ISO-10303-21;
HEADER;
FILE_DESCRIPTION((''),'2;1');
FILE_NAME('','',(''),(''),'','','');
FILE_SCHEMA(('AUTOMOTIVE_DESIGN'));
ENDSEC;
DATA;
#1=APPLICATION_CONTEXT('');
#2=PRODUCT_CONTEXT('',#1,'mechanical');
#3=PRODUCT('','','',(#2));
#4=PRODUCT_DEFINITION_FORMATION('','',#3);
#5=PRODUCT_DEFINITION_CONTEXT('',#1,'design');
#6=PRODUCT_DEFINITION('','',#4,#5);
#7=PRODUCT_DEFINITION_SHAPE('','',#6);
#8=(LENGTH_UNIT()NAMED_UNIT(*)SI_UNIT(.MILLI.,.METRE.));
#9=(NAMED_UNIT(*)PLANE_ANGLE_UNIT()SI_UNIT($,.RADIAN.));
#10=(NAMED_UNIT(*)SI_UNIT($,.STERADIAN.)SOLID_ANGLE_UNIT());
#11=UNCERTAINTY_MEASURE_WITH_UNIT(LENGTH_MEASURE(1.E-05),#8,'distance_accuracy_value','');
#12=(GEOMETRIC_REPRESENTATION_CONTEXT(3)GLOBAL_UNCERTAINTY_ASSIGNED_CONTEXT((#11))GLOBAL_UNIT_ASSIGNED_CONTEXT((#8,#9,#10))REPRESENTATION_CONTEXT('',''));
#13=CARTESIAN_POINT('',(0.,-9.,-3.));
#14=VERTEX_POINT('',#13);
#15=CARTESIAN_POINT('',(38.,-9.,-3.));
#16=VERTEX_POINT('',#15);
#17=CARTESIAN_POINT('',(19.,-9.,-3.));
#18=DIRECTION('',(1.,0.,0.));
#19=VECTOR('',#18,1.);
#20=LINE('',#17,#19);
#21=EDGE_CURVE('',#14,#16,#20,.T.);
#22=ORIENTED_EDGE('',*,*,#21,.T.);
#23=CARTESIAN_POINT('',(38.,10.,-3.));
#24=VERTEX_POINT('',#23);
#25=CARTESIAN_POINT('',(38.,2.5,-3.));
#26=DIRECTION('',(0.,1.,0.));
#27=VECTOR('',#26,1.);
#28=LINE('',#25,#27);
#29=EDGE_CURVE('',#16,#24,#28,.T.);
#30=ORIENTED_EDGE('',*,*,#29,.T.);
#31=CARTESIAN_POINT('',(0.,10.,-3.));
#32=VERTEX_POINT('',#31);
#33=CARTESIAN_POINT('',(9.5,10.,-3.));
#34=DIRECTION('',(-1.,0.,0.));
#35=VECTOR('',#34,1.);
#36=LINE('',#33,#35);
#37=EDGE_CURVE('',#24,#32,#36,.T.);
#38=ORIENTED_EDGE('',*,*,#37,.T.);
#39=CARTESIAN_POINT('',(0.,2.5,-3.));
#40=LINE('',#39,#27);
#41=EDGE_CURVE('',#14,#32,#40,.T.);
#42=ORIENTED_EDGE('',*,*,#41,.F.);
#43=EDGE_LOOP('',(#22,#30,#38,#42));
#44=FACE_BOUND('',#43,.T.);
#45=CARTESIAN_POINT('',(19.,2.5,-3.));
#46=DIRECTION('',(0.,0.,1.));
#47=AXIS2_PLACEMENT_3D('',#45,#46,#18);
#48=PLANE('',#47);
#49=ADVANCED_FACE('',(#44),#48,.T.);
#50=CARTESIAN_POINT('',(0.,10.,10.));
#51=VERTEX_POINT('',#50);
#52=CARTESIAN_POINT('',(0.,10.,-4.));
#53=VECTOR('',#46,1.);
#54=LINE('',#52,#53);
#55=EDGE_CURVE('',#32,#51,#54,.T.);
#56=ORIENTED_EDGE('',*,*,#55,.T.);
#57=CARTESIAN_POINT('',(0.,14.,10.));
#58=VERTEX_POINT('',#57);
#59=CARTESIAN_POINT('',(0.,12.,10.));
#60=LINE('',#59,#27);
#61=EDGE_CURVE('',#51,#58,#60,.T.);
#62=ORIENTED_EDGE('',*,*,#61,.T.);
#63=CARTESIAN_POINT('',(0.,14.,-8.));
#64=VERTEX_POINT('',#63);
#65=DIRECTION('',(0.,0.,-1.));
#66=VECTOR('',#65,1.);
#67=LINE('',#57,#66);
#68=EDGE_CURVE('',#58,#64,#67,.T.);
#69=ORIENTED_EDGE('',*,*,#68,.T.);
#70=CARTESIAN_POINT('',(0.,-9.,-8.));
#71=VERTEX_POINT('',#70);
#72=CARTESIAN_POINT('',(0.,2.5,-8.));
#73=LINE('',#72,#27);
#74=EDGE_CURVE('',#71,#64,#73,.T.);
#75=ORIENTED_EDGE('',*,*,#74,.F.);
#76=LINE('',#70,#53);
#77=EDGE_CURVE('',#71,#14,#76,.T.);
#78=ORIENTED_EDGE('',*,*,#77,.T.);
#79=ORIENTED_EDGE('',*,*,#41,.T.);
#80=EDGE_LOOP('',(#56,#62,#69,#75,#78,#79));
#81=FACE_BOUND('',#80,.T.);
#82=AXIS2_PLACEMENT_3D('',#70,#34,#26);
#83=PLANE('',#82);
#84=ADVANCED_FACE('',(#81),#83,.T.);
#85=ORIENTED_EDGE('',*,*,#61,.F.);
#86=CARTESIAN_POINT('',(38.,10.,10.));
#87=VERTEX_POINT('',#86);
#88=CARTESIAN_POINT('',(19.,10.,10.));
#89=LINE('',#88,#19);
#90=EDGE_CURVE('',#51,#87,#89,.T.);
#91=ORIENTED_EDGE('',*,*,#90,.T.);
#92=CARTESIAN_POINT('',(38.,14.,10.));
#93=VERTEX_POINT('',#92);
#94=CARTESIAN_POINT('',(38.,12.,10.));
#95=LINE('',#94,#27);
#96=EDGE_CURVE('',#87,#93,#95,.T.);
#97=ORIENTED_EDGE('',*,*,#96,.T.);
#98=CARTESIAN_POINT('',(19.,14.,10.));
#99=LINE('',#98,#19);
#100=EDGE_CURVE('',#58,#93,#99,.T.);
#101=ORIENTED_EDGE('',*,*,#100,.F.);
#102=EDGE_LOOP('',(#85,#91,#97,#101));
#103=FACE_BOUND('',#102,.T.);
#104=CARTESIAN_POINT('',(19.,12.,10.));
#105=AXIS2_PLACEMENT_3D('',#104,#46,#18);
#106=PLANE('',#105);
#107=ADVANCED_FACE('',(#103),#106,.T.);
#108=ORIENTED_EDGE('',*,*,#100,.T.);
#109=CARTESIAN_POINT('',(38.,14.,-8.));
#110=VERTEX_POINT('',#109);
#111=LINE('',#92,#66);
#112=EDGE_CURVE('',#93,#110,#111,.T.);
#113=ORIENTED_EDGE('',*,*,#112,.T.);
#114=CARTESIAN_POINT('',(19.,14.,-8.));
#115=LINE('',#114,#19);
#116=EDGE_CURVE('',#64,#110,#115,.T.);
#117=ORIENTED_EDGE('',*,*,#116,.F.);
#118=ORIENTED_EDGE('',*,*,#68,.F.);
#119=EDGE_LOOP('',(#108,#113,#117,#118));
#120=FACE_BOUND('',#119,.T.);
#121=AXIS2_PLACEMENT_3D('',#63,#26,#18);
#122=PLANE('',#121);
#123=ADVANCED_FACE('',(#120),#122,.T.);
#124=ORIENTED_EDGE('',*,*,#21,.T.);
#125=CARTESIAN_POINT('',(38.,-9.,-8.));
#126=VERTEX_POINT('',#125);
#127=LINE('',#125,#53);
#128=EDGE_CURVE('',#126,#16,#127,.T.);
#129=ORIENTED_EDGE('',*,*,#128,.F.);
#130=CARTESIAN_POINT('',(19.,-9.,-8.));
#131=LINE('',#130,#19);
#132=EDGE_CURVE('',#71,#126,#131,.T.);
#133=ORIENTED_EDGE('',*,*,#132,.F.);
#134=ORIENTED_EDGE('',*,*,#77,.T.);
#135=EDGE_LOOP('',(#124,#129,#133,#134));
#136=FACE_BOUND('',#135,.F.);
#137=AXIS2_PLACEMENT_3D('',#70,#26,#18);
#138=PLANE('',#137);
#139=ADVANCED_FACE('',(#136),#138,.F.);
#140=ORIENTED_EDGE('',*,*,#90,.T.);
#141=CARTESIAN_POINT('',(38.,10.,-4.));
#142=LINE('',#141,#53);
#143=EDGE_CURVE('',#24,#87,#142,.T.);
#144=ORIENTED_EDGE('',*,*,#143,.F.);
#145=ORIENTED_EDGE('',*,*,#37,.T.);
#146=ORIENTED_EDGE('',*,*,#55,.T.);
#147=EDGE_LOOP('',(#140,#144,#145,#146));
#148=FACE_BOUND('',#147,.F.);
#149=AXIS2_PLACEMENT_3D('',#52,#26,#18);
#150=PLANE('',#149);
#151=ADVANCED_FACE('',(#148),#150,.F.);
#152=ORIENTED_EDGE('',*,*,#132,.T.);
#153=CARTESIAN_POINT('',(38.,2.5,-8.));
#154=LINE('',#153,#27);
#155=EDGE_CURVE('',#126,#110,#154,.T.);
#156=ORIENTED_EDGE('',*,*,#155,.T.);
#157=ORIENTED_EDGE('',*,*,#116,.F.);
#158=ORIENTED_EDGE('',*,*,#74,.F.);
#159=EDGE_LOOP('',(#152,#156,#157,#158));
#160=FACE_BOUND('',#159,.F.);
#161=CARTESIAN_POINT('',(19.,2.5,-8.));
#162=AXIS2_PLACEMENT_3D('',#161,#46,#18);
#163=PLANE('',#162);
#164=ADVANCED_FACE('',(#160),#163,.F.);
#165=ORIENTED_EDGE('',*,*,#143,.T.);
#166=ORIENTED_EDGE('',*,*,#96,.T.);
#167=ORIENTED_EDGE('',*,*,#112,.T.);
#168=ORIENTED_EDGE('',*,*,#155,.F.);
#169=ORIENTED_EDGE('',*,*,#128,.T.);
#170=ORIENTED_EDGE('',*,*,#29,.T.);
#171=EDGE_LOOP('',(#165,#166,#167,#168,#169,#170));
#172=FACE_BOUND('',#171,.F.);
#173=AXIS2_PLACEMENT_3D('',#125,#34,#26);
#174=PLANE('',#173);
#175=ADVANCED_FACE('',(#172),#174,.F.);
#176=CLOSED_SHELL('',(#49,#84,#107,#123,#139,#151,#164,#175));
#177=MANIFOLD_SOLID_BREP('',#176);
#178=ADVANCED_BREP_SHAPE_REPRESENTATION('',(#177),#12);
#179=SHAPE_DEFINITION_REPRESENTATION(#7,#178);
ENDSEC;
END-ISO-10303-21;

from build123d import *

# Parameters (mm, degrees)
BOX001_W     = 38
BOX001_H     = 4
BOX001_DEPTH = 14
BOX002_W     = 38
BOX002_H     = 23
BOX002_DEPTH = 5


with BuildPart() as cube001:
    # Box001 → Box001 (new body)
    with BuildSketch(Plane(origin=(0, 10, -4), x_dir=(1, 0, 0), z_dir=(0, 0, 1))):
        with Locations((19, 2)):
            Rectangle(BOX001_W, BOX001_H)
    extrude(amount=BOX001_DEPTH)


with BuildPart() as fusion024:
    # Box002 → Box002 (new body)
    with BuildSketch(Plane(origin=(0, -9, -8), x_dir=(1, 0, 0), z_dir=(0, 0, 1))):
        with Locations((19, 11.5)):
            Rectangle(BOX002_W, BOX002_H)
    extrude(amount=BOX002_DEPTH)

    # Fusion024: union Cube001
    add(cube001.part)


solid = fusion024.part
